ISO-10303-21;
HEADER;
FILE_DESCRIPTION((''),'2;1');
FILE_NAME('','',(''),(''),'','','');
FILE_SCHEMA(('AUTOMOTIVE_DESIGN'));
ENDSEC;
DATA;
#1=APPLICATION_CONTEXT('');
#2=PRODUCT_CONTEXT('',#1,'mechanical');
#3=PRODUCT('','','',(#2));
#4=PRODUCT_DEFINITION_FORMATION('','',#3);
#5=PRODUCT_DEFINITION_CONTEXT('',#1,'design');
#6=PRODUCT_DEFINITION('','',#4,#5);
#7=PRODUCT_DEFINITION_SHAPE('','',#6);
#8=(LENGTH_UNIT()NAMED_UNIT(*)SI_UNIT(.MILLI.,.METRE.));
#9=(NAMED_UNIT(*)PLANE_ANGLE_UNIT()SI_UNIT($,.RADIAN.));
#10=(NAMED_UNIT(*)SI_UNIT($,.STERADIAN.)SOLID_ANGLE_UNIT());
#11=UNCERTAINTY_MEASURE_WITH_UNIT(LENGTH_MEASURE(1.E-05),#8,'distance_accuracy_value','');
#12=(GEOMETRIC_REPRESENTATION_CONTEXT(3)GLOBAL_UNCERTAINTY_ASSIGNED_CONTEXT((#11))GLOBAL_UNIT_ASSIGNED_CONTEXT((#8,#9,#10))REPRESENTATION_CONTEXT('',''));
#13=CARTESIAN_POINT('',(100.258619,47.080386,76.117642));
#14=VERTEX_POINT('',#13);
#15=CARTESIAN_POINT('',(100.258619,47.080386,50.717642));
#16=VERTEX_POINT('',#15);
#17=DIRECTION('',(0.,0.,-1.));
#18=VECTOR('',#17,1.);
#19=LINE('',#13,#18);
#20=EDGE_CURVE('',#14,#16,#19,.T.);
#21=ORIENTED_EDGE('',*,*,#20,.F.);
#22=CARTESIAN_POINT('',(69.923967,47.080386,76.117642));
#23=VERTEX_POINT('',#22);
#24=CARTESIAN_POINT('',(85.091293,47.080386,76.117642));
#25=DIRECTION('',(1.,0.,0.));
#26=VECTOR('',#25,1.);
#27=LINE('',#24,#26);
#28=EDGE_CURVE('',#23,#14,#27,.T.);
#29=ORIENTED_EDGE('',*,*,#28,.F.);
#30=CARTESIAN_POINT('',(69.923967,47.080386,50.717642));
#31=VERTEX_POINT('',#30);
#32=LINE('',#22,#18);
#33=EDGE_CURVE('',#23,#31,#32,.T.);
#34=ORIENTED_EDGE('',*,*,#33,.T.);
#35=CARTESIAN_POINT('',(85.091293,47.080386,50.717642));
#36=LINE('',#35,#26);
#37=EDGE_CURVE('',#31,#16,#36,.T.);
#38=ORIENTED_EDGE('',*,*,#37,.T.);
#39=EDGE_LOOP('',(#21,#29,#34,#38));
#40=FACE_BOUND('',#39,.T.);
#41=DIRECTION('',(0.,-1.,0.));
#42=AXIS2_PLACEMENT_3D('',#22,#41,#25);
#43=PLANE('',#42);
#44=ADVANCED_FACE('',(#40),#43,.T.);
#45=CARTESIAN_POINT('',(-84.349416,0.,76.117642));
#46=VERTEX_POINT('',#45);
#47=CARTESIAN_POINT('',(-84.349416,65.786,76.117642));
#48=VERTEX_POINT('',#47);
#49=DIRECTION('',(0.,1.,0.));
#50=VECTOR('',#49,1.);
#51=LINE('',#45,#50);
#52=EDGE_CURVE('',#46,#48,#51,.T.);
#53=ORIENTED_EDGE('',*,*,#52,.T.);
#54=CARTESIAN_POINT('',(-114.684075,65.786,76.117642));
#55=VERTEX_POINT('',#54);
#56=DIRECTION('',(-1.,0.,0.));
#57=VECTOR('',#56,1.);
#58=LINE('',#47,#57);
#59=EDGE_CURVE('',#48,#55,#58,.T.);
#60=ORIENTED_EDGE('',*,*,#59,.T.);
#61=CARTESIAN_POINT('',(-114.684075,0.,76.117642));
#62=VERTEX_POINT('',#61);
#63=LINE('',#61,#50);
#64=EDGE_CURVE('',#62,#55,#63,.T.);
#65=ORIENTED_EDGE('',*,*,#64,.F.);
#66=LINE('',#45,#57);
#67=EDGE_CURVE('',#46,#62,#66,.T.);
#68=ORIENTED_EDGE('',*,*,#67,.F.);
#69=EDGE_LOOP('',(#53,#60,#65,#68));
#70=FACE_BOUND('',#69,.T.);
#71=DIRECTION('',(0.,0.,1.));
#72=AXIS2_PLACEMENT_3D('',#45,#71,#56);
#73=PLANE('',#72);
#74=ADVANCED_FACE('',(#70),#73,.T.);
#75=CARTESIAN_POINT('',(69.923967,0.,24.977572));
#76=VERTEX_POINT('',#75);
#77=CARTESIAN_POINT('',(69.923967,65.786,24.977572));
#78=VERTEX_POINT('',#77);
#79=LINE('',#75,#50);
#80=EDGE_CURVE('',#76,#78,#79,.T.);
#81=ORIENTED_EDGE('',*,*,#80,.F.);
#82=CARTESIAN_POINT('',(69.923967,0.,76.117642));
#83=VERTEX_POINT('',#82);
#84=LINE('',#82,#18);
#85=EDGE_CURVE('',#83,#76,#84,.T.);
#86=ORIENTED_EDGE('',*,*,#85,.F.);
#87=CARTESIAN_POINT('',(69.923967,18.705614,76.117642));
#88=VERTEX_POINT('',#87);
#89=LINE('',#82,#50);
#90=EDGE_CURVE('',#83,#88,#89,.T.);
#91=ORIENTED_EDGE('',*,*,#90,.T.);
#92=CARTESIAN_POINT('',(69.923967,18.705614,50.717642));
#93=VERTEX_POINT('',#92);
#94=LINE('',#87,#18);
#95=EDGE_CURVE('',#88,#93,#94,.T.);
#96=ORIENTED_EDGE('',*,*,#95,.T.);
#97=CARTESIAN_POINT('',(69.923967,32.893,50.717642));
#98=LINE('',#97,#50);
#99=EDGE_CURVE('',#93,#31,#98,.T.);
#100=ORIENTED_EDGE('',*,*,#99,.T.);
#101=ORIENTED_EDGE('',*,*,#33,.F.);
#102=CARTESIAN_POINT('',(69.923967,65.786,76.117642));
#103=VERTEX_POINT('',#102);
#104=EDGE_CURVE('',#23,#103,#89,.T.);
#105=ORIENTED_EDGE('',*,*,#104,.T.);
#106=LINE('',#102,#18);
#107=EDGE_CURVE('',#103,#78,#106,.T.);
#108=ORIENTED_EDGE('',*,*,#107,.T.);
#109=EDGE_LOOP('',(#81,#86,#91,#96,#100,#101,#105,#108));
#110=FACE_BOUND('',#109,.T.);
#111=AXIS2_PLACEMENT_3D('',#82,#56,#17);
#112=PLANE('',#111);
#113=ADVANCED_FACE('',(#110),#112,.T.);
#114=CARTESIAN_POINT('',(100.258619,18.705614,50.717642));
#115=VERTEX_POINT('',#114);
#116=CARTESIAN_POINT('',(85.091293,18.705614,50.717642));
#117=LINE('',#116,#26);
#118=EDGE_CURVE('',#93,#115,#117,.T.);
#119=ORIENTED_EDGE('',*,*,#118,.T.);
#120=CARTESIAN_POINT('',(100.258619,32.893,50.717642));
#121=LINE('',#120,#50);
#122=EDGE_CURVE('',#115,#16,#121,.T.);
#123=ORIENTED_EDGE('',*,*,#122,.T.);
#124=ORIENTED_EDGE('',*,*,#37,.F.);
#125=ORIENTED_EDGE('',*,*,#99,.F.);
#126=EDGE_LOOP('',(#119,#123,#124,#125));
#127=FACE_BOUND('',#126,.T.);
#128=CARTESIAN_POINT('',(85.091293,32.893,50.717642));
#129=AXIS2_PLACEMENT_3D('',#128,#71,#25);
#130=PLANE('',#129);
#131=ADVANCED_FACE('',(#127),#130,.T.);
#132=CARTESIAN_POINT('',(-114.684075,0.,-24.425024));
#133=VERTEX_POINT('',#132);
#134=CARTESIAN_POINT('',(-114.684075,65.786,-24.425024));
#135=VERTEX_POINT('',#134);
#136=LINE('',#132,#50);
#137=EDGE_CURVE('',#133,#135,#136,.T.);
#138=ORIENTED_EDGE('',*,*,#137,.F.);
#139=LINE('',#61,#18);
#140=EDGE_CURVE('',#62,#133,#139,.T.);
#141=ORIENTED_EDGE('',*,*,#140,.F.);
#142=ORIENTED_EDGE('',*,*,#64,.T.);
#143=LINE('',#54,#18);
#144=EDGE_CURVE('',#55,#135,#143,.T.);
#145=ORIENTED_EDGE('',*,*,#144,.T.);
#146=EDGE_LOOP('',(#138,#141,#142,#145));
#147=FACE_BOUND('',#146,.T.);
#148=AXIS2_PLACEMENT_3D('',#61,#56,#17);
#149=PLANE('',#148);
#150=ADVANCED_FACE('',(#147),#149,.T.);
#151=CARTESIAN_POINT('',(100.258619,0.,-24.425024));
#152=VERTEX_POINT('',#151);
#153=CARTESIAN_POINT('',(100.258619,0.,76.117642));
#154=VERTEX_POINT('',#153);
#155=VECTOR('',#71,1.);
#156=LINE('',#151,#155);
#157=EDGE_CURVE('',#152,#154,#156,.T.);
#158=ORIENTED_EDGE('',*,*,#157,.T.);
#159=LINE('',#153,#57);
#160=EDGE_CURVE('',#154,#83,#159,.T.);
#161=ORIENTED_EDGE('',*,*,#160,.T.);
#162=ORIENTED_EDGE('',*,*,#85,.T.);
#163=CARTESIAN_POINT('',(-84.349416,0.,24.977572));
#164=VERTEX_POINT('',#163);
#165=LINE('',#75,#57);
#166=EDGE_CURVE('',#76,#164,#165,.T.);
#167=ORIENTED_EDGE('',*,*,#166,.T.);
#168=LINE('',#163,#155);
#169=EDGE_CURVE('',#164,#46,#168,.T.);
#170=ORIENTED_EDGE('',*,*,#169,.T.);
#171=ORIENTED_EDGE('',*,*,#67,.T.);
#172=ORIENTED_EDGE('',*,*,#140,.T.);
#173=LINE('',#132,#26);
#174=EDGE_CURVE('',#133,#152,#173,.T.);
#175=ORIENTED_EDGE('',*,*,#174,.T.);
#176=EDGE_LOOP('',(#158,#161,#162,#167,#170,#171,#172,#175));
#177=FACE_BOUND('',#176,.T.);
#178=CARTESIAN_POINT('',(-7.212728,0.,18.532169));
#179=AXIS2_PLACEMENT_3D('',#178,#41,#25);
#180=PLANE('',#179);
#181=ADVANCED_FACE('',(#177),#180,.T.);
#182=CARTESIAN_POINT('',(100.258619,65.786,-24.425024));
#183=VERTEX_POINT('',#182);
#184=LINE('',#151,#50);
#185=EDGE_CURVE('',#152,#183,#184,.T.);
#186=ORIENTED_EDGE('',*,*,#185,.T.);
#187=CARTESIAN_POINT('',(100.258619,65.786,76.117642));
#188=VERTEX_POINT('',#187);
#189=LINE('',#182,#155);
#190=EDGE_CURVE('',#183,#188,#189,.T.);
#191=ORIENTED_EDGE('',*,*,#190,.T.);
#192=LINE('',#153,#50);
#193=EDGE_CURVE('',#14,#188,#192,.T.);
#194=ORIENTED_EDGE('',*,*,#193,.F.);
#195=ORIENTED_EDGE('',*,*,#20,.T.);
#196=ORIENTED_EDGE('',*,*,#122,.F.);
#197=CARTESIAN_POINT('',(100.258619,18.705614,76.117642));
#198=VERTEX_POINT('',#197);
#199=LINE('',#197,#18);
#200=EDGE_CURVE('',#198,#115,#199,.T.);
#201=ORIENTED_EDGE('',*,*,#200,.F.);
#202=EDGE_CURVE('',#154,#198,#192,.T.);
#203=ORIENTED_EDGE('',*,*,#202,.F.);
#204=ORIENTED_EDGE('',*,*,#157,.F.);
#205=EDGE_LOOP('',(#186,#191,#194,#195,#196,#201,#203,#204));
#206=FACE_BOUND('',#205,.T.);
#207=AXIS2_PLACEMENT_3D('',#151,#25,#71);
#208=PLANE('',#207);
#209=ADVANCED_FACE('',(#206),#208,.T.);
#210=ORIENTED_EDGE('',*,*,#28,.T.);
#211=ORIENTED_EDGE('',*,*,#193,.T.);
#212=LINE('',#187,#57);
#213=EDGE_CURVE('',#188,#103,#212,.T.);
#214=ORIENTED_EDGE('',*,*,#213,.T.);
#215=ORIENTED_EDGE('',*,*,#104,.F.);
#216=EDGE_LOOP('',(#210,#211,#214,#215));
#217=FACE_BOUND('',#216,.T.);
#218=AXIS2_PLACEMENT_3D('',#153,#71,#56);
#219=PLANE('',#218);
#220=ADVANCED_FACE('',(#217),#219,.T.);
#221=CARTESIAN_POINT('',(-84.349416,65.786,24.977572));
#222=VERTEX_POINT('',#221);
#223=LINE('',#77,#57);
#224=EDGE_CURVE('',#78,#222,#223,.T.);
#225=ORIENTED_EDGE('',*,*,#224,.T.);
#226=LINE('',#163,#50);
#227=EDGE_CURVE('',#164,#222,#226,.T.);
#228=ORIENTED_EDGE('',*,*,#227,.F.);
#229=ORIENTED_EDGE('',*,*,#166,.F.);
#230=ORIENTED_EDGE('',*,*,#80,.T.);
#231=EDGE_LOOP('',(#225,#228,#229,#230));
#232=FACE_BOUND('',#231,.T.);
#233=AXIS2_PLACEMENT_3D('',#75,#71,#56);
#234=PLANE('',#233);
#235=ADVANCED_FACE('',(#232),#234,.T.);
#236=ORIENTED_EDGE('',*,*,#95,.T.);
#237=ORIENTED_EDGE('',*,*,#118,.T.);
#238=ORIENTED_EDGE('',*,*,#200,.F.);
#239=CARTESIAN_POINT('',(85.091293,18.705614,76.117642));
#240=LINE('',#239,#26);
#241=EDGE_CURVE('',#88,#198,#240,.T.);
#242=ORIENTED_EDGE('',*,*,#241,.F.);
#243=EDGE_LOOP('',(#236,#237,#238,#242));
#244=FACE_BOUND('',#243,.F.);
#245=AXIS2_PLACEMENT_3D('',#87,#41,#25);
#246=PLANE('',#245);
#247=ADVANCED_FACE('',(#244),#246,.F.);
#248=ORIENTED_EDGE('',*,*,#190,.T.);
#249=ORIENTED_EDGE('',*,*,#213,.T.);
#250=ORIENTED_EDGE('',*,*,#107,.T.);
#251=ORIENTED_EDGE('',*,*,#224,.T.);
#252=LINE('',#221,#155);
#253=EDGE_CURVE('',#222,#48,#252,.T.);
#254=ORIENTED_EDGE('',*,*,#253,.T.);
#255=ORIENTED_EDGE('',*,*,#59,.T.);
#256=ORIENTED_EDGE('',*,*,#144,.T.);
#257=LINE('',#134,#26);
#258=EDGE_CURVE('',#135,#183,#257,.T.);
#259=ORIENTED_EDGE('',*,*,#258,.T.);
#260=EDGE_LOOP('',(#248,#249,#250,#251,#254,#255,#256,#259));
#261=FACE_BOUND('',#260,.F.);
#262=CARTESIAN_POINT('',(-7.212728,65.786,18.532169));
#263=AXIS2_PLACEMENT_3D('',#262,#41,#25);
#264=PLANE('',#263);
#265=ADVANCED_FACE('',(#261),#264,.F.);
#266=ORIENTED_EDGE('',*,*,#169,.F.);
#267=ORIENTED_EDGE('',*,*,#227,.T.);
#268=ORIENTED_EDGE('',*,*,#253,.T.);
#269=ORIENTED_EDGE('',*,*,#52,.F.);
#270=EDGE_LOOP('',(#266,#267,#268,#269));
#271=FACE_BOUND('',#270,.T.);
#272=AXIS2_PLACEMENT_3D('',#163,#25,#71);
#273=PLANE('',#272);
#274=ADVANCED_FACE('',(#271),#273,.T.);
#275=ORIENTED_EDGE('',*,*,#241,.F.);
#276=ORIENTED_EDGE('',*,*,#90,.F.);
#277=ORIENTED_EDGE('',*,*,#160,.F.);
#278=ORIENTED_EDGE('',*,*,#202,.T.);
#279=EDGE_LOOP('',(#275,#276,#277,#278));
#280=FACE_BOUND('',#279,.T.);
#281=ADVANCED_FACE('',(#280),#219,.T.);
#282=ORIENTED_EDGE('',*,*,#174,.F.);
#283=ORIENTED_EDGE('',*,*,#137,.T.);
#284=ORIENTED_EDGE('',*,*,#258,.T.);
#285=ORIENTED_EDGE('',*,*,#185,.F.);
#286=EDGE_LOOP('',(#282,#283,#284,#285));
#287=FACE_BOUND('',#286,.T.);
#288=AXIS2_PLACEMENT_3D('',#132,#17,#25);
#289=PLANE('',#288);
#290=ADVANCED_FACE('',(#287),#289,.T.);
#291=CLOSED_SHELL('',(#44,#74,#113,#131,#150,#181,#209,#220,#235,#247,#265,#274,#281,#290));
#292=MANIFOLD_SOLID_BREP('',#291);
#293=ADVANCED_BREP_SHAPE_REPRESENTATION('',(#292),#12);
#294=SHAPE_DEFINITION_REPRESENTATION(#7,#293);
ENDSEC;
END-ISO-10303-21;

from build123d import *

# Parameters (mm, degrees)
F1_DEPTH = 65.786
F2_W     = 30.334652
F2_H     = 28.374772
F3_DEPTH = 25.4


with BuildPart() as f1:
    # F0 (on Front) → F1 (new body)
    with BuildSketch(Plane.XZ):
        Polygon((-84.349416, 76.117642), (-114.684075, 76.117642), (-114.684075, -24.425024), (100.258619, -24.425024), (100.258619, 76.117642), (69.923967, 76.117642), (69.923967, 24.977572), (-7.212728, 24.977572), (-84.349416, 24.977572), align=None)
    extrude(amount=-F1_DEPTH)

    # F2 (on face) → F3 (cut)
    with BuildSketch(Plane.XY.offset(76.117642)):
        with Locations((85.091293, 32.893)):
            Rectangle(F2_W, F2_H)
    extrude(amount=-F3_DEPTH, mode=Mode.SUBTRACT)


solid = f1.part
